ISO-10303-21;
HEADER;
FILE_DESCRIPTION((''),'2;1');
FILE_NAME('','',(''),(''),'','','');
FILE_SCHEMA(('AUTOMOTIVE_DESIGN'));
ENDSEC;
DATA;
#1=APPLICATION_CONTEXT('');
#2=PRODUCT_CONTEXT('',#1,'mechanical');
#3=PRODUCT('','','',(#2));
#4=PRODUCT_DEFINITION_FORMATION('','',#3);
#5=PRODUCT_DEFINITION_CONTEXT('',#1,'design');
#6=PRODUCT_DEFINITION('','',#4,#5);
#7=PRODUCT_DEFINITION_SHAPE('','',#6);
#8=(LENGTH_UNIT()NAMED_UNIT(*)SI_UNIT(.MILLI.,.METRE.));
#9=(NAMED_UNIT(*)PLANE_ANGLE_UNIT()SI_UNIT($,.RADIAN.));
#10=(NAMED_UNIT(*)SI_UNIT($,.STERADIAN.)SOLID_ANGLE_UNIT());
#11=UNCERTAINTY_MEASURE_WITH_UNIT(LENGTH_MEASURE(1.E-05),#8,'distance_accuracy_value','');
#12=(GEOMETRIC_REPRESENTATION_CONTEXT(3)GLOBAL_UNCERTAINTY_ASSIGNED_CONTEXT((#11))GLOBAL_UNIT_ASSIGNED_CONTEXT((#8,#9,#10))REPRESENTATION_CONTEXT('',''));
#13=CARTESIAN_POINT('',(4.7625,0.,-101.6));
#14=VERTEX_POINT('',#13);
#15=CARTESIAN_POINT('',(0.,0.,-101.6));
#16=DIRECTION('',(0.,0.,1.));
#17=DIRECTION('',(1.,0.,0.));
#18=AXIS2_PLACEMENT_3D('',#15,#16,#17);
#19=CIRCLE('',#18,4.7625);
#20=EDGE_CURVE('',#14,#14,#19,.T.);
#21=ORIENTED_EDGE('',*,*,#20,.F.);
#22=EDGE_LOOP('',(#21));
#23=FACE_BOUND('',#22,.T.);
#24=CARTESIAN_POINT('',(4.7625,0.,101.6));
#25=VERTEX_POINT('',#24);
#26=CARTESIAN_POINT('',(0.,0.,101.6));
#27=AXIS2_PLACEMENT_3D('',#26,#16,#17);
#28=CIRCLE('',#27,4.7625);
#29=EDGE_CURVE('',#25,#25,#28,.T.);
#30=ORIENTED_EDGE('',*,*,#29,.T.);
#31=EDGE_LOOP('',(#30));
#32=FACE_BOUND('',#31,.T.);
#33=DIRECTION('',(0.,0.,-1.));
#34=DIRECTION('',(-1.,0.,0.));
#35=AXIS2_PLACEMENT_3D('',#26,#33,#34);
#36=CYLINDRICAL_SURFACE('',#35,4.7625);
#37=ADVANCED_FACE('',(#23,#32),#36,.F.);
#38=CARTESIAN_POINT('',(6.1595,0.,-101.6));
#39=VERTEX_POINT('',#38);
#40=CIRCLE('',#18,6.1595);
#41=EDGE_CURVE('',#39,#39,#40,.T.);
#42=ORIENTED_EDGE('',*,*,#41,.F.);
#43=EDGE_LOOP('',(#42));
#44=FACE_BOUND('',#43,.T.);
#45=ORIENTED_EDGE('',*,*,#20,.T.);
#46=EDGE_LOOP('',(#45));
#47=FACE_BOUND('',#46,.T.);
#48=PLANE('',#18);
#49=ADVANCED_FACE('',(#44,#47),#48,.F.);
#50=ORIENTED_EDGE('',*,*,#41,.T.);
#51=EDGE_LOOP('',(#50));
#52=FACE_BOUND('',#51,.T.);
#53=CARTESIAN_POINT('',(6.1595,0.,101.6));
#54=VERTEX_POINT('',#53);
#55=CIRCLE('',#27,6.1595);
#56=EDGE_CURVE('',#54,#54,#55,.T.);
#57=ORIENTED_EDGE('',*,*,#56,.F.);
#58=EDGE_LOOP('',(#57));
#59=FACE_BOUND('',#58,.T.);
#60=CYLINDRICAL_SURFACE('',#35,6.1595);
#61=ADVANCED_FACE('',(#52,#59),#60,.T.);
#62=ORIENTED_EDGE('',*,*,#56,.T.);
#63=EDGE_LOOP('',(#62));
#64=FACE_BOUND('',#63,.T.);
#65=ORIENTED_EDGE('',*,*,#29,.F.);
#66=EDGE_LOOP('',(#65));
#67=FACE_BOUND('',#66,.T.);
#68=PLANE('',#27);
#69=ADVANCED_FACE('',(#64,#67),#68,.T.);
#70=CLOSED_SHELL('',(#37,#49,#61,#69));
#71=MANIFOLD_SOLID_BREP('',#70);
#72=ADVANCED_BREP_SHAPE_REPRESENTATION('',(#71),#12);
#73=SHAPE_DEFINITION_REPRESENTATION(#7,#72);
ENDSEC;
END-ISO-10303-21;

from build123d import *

# Parameters (mm, degrees)
SKETCH3_R                = 6.1595
SKETCH3_R_2              = 4.7625
BOSS_EXTRUDE1_DEPTH      = 101.6
BOSS_EXTRUDE1_DEPTH_BACK = 101.6


with BuildPart() as part:
    # Sketch3 → Boss-Extrude1 (new body, two sides)
    with BuildSketch(Plane.XY) as boss_extrude1_sk:
        Circle(SKETCH3_R)
        Circle(SKETCH3_R_2, mode=Mode.SUBTRACT)
    extrude(amount=BOSS_EXTRUDE1_DEPTH)
    extrude(boss_extrude1_sk.sketch, amount=-BOSS_EXTRUDE1_DEPTH_BACK)


solid = part.part
